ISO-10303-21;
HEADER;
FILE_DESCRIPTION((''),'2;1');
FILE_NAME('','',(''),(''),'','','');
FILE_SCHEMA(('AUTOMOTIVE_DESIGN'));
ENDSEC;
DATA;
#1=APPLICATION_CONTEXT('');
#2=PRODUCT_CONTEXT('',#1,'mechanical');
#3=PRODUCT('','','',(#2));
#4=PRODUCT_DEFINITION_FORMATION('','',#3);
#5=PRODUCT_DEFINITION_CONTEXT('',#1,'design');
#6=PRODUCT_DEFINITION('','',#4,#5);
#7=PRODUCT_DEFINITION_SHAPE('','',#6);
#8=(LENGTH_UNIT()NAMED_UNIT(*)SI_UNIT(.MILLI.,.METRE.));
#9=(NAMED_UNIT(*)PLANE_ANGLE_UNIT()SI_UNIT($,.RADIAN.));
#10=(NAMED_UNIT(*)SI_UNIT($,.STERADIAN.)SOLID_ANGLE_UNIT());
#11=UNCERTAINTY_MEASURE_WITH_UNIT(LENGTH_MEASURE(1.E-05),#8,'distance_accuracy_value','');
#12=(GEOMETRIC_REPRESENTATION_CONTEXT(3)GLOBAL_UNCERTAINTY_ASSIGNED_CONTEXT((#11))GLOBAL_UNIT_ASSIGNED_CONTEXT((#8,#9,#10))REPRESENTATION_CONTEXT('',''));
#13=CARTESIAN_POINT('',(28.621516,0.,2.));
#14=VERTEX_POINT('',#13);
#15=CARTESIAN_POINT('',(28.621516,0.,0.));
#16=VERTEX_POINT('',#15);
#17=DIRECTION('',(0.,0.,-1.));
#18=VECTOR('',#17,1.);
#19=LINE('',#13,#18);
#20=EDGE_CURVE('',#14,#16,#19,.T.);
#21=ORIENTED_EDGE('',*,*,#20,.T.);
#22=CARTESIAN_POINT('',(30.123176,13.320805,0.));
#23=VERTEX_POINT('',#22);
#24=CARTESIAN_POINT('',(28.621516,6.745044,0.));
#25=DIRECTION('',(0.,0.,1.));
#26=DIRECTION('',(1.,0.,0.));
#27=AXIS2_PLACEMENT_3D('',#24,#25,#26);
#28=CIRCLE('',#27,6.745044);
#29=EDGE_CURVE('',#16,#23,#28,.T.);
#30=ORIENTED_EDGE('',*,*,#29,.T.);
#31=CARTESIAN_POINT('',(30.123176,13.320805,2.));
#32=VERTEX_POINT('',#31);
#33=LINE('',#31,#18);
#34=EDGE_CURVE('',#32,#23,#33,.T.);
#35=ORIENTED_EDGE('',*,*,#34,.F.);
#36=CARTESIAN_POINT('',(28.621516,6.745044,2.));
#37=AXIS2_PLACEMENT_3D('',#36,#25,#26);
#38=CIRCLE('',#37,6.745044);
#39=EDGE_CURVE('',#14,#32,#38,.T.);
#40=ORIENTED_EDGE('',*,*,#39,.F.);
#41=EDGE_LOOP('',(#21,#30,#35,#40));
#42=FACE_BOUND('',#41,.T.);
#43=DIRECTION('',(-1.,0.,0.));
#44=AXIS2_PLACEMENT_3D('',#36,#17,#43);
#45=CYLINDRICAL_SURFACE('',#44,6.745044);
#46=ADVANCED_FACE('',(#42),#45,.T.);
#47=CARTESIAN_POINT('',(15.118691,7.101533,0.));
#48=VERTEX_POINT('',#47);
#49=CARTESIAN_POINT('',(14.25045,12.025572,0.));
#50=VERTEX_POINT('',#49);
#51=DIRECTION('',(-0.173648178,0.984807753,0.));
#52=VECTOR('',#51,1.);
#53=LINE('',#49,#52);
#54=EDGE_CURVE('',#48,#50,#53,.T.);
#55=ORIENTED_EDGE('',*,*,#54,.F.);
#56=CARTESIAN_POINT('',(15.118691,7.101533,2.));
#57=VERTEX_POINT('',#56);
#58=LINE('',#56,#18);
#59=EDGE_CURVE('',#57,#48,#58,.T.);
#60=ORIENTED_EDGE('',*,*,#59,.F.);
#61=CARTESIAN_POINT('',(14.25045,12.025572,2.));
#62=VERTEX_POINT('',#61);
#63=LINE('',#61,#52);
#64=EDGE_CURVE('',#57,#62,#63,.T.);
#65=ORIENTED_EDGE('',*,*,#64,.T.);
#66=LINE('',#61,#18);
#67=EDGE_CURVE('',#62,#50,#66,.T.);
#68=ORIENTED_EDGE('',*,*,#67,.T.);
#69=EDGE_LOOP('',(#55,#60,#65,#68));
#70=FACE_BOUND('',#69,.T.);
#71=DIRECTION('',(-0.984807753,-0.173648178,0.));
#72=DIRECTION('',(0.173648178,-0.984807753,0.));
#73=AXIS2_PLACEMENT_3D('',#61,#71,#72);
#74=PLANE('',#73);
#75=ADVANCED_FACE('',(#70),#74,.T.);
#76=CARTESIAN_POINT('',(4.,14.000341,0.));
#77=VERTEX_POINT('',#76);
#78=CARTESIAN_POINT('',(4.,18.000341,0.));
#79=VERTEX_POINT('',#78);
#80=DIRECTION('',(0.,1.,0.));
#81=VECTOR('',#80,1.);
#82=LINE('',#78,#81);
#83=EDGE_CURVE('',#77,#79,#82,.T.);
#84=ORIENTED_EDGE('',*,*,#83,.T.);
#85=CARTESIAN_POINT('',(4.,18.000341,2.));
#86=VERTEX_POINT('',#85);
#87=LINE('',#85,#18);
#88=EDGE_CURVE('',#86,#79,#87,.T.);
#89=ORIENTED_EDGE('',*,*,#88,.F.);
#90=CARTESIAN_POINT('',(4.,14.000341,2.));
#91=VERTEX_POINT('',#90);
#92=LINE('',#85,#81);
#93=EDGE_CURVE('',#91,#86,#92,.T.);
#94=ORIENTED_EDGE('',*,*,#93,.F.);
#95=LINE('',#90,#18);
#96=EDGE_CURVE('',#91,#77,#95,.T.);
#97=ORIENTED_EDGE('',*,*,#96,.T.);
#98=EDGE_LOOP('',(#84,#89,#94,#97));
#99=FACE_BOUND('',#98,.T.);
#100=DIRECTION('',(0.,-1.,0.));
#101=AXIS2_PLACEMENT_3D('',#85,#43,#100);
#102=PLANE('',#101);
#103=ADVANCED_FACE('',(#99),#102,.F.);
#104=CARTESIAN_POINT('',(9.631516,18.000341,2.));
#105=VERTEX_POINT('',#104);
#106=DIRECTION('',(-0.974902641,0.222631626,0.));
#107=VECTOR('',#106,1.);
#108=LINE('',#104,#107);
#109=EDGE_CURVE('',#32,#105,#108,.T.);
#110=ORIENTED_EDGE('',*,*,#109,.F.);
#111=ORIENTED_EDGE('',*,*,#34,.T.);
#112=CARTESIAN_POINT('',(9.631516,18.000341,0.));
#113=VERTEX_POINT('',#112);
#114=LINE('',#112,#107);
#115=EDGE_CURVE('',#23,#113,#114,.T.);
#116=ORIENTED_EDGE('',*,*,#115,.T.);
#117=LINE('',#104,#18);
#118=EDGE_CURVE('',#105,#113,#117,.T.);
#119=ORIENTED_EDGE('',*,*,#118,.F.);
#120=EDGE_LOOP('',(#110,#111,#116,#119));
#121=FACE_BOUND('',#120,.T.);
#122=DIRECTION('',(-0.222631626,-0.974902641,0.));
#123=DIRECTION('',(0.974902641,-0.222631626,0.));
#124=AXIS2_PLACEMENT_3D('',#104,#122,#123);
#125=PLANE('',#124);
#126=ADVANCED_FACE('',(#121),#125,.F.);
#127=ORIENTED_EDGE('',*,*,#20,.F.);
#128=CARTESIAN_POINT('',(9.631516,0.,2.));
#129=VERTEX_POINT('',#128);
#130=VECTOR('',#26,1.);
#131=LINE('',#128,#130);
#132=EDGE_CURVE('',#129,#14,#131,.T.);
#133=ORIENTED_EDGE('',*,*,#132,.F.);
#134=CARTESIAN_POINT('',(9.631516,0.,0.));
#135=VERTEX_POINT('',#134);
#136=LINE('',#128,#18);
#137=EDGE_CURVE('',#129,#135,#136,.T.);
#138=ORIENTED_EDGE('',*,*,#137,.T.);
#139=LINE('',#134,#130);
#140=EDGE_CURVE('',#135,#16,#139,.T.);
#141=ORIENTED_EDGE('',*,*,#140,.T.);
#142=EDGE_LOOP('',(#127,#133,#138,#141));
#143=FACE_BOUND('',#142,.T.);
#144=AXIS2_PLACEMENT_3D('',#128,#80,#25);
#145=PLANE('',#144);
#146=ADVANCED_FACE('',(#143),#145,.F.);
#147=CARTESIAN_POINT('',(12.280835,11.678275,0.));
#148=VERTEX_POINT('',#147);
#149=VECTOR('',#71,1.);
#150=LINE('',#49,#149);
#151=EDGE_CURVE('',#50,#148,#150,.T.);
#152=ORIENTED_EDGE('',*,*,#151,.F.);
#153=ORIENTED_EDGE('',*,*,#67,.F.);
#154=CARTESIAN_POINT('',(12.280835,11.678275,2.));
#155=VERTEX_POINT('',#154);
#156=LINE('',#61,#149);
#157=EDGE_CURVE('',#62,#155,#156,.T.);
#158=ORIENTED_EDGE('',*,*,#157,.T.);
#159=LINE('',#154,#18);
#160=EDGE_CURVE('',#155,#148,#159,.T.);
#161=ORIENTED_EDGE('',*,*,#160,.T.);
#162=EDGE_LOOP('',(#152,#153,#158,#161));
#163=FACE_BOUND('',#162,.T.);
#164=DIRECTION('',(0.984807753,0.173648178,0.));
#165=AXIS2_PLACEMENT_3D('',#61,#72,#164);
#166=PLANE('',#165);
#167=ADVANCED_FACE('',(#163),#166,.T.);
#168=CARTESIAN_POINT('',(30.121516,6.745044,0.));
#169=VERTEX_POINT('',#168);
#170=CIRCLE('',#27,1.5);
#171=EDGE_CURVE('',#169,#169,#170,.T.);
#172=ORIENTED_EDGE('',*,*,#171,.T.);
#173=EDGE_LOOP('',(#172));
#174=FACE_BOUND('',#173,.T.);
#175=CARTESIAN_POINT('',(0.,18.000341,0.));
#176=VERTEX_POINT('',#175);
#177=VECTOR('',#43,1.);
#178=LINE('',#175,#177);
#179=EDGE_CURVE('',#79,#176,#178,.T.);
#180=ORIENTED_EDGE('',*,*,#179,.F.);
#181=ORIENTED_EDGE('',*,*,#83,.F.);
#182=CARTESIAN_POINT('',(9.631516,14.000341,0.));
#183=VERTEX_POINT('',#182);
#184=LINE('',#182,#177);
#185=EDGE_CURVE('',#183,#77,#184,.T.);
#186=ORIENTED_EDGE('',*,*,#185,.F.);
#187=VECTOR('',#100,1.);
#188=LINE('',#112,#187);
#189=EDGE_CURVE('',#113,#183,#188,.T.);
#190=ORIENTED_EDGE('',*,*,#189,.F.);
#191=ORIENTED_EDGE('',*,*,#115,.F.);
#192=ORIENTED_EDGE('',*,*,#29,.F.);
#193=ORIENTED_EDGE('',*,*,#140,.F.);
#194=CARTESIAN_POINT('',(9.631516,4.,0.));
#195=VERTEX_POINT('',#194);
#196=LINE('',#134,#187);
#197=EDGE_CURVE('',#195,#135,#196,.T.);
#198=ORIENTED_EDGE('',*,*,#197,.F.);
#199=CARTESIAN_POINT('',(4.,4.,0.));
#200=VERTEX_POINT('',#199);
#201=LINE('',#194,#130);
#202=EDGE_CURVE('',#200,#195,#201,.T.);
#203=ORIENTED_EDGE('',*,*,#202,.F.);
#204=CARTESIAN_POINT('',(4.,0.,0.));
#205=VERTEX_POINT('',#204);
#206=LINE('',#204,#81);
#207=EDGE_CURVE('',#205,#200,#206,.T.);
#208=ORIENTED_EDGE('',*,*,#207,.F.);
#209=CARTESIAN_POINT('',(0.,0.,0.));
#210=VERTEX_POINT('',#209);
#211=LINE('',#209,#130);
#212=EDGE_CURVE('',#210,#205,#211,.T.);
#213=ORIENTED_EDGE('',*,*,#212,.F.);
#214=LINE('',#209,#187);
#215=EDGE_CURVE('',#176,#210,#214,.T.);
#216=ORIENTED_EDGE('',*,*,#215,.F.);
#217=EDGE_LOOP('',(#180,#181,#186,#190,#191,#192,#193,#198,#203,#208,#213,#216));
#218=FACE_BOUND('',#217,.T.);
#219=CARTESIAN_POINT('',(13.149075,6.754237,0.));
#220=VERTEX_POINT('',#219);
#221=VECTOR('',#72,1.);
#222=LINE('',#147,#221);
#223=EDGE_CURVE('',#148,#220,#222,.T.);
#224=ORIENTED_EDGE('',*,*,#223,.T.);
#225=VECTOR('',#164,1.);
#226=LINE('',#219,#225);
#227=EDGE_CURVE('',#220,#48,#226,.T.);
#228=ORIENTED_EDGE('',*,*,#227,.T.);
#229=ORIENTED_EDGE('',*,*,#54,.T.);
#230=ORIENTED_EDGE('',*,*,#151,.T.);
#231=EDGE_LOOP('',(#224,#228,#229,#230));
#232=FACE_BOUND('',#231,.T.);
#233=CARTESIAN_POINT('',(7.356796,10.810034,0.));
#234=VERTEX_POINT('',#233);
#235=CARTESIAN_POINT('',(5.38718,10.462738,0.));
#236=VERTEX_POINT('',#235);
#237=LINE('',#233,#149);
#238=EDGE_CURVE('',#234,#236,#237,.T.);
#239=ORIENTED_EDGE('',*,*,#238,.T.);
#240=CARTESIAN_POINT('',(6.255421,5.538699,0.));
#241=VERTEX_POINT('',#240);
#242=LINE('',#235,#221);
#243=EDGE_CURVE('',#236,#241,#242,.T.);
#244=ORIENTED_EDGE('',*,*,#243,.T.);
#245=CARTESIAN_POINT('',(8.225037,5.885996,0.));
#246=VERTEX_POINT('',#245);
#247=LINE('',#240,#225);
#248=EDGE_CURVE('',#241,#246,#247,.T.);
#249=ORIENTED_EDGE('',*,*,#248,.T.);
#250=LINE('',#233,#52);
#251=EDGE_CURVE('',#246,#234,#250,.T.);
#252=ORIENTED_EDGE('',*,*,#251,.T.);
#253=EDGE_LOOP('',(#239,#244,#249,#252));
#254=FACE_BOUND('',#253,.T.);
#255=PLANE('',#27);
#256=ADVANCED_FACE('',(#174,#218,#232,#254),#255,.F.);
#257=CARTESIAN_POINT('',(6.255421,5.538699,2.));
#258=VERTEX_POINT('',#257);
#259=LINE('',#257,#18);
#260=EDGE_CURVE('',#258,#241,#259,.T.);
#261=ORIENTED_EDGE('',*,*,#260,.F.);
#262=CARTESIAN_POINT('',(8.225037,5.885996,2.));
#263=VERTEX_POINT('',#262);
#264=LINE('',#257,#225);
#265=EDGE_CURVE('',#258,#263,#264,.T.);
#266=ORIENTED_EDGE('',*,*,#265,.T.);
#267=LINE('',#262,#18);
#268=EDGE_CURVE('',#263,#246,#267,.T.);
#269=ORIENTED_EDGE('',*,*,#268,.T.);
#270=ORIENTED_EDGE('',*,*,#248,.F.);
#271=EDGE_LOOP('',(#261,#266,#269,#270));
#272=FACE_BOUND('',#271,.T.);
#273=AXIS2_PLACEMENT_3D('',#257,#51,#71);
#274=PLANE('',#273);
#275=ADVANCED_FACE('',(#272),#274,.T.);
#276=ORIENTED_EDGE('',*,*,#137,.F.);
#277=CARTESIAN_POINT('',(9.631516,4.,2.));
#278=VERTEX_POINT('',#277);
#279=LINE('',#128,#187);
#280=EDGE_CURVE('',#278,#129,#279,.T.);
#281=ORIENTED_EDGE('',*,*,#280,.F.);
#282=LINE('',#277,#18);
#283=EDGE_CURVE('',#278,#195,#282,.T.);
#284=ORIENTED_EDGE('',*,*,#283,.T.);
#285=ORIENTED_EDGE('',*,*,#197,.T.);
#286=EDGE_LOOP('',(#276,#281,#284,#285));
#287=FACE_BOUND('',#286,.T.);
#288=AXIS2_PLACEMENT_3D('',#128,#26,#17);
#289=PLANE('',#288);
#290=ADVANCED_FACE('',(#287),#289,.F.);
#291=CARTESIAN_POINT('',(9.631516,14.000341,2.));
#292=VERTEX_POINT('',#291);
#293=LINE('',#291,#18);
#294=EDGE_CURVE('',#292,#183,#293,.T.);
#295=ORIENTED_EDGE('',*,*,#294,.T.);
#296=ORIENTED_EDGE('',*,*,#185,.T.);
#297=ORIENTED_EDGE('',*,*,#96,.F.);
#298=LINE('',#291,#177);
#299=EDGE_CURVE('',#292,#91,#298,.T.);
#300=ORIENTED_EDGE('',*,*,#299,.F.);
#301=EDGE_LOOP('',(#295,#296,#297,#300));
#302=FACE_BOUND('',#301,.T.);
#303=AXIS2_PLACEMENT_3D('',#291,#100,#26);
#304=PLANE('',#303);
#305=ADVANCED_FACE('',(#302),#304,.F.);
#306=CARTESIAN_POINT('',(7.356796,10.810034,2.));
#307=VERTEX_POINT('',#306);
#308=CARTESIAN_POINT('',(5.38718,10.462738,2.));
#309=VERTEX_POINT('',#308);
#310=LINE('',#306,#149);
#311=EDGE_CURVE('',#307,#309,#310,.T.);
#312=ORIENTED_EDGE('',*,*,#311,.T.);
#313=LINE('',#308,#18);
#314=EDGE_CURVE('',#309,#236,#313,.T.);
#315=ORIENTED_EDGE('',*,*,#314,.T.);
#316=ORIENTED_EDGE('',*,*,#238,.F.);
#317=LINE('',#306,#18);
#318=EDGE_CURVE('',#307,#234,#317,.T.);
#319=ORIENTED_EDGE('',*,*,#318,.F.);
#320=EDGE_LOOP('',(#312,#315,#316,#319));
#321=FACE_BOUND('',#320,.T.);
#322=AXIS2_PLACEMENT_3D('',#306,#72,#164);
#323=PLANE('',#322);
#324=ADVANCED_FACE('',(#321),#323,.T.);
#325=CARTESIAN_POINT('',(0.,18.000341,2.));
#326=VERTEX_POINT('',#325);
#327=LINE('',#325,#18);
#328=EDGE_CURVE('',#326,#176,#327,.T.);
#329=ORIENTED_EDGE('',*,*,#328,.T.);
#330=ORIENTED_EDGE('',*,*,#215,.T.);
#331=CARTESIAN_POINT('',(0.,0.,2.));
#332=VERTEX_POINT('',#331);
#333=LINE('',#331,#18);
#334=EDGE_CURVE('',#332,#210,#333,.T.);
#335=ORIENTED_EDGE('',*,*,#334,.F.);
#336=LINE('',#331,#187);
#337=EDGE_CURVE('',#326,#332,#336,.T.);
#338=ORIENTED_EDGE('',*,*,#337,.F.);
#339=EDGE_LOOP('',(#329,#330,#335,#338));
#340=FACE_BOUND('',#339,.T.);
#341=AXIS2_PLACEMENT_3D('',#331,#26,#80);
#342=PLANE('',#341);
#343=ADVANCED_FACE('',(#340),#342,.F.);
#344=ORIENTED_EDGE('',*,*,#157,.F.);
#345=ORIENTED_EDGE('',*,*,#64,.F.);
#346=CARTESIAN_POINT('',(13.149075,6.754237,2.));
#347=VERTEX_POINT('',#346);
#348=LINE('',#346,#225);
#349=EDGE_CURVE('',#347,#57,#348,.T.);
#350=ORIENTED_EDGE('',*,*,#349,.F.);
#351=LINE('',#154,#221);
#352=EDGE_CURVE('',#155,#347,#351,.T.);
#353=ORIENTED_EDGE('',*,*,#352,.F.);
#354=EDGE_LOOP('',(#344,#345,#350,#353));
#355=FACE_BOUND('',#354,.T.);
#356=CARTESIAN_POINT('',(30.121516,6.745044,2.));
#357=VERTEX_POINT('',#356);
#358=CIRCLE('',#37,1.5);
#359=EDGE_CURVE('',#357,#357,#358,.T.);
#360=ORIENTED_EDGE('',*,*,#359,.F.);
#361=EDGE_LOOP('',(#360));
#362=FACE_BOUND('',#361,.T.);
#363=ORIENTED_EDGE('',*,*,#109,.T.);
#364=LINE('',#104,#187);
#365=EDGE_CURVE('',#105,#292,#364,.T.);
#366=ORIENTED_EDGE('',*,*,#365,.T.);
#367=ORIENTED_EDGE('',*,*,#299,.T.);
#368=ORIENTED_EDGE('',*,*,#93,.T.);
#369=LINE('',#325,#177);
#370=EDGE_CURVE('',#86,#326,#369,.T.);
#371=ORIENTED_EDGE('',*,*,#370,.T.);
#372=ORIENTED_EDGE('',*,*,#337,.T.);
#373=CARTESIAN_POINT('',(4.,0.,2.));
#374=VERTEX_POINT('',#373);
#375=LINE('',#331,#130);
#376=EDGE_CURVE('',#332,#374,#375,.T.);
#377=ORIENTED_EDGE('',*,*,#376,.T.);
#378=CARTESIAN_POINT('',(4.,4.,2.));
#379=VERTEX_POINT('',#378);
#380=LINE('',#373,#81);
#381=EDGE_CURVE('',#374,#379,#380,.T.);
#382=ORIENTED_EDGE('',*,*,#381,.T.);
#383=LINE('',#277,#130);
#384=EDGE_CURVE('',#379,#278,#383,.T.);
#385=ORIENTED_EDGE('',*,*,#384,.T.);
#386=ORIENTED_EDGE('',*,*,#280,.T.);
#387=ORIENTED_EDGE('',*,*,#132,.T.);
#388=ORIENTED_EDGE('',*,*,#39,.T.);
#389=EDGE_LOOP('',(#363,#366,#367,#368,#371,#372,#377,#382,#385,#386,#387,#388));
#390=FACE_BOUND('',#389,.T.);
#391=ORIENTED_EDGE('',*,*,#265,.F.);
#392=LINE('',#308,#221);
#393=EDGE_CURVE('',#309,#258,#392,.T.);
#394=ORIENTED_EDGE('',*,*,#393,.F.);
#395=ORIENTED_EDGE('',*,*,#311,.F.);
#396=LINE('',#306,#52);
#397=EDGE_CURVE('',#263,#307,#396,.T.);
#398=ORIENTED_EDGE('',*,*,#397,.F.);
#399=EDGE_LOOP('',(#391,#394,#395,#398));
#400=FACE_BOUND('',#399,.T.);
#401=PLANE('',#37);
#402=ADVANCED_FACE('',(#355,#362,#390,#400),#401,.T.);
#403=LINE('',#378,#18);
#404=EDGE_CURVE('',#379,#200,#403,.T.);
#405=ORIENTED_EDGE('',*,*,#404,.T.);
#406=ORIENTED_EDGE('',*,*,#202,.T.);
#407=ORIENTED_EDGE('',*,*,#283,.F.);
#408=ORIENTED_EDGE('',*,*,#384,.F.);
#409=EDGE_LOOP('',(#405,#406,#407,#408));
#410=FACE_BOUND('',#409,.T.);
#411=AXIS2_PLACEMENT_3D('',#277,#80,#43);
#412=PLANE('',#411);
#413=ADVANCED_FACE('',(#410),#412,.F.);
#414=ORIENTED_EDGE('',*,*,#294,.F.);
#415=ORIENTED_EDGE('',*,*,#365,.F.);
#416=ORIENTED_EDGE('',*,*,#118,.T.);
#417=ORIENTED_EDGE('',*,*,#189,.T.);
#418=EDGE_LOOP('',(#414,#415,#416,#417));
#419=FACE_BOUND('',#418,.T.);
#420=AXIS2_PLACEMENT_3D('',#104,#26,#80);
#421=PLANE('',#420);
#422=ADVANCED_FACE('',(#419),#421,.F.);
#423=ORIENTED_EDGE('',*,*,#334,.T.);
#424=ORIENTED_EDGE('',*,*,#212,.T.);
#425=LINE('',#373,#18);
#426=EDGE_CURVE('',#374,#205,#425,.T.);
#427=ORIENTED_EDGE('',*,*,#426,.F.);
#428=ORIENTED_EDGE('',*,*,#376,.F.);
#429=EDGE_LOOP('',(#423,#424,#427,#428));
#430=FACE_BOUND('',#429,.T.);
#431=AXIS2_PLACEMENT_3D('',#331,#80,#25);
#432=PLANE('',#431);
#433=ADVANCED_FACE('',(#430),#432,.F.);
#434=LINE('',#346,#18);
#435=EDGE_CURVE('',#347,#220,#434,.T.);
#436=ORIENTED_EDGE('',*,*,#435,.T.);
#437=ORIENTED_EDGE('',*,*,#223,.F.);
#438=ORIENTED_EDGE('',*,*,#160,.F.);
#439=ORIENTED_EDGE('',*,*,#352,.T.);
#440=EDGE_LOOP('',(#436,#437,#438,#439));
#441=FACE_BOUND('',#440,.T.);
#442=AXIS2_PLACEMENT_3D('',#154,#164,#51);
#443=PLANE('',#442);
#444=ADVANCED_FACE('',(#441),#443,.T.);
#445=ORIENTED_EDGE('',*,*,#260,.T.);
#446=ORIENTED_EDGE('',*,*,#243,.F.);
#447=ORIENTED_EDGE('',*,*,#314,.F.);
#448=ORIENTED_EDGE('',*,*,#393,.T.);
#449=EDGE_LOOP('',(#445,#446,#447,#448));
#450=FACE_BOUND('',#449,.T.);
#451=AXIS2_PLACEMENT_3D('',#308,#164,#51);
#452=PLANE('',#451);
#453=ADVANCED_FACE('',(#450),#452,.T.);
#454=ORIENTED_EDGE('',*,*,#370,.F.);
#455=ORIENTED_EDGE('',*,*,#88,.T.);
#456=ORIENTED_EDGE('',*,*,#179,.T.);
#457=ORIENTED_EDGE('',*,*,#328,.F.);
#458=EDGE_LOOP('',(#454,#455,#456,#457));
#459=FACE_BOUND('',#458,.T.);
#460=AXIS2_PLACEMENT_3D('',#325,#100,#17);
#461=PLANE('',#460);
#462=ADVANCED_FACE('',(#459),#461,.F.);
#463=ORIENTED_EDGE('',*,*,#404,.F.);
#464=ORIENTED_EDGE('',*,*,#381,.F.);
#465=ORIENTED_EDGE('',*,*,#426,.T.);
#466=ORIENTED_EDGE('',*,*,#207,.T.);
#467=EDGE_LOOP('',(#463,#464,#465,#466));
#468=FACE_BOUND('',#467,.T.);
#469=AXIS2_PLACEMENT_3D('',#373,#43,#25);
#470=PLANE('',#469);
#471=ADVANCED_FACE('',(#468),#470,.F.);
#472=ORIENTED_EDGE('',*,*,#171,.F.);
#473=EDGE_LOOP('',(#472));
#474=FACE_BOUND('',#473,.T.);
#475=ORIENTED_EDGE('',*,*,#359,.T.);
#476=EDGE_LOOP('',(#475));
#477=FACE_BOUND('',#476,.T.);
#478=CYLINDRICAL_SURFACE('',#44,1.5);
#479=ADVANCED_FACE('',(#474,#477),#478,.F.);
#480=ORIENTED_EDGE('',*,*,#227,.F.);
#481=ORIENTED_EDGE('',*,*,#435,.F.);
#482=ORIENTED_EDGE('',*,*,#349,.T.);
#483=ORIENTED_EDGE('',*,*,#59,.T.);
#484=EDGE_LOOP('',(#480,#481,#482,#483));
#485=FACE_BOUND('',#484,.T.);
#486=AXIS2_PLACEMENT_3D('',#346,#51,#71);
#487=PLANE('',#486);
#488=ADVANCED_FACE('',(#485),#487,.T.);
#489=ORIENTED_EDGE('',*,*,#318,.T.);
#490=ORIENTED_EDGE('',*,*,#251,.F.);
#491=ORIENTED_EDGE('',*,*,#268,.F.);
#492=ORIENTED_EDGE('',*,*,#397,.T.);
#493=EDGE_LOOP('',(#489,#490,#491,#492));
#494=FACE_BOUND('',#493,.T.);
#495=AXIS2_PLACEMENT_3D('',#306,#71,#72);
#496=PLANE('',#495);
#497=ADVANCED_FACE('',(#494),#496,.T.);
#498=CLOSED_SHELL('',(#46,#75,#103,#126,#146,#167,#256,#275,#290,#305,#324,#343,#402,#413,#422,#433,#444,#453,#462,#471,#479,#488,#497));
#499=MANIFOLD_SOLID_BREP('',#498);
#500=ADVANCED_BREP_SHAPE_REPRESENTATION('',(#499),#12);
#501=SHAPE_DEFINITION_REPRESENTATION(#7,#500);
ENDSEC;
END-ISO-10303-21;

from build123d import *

# Parameters (mm, degrees)
SKETCH1_R           = 1.5
BOSS_EXTRUDE1_DEPTH = 2


with BuildPart() as part:
    # Sketch1 → Boss-Extrude1 (new body)
    with BuildSketch(Plane.XY):
        with BuildLine():
            Line((0, 0), (0, 18.000341084))
            Line((0, 18.000341084), (4, 18.000341084))
            Line((4, 18.000341084), (4, 14.000341084))
            Line((4, 14.000341084), (9.631516349, 14.000341084))
            Line((9.631516349, 14.000341084), (9.631516349, 18.000341084))
            Line((9.631516349, 18.000341084), (30.123176491, 13.320805491))
            ThreePointArc((30.123176491, 13.320805491), (35.324106187, 5.989458303), (28.621516349, 0))
            Line((28.621516349, 0), (9.631516349, 0))
            Line((9.631516349, 0), (9.631516349, 4))
            Line((9.631516349, 4), (4, 4))
            Line((4, 4), (4, 0))
            Line((4, 0), (0, 0))
        make_face()
        with Locations((28.621516349, 6.745044143)):
            Circle(SKETCH1_R, mode=Mode.SUBTRACT)
        Polygon((14.250450019, 12.02557168), (12.280834513, 11.678275325), (13.149075402, 6.75423656), (15.118690908, 7.101532915), align=None, mode=Mode.SUBTRACT)
        Polygon((7.356795748, 10.810034437), (8.225036637, 5.885995672), (6.255421131, 5.538699316), (5.387180242, 10.462738081), align=None, mode=Mode.SUBTRACT)
    extrude(amount=BOSS_EXTRUDE1_DEPTH)


solid = part.part
